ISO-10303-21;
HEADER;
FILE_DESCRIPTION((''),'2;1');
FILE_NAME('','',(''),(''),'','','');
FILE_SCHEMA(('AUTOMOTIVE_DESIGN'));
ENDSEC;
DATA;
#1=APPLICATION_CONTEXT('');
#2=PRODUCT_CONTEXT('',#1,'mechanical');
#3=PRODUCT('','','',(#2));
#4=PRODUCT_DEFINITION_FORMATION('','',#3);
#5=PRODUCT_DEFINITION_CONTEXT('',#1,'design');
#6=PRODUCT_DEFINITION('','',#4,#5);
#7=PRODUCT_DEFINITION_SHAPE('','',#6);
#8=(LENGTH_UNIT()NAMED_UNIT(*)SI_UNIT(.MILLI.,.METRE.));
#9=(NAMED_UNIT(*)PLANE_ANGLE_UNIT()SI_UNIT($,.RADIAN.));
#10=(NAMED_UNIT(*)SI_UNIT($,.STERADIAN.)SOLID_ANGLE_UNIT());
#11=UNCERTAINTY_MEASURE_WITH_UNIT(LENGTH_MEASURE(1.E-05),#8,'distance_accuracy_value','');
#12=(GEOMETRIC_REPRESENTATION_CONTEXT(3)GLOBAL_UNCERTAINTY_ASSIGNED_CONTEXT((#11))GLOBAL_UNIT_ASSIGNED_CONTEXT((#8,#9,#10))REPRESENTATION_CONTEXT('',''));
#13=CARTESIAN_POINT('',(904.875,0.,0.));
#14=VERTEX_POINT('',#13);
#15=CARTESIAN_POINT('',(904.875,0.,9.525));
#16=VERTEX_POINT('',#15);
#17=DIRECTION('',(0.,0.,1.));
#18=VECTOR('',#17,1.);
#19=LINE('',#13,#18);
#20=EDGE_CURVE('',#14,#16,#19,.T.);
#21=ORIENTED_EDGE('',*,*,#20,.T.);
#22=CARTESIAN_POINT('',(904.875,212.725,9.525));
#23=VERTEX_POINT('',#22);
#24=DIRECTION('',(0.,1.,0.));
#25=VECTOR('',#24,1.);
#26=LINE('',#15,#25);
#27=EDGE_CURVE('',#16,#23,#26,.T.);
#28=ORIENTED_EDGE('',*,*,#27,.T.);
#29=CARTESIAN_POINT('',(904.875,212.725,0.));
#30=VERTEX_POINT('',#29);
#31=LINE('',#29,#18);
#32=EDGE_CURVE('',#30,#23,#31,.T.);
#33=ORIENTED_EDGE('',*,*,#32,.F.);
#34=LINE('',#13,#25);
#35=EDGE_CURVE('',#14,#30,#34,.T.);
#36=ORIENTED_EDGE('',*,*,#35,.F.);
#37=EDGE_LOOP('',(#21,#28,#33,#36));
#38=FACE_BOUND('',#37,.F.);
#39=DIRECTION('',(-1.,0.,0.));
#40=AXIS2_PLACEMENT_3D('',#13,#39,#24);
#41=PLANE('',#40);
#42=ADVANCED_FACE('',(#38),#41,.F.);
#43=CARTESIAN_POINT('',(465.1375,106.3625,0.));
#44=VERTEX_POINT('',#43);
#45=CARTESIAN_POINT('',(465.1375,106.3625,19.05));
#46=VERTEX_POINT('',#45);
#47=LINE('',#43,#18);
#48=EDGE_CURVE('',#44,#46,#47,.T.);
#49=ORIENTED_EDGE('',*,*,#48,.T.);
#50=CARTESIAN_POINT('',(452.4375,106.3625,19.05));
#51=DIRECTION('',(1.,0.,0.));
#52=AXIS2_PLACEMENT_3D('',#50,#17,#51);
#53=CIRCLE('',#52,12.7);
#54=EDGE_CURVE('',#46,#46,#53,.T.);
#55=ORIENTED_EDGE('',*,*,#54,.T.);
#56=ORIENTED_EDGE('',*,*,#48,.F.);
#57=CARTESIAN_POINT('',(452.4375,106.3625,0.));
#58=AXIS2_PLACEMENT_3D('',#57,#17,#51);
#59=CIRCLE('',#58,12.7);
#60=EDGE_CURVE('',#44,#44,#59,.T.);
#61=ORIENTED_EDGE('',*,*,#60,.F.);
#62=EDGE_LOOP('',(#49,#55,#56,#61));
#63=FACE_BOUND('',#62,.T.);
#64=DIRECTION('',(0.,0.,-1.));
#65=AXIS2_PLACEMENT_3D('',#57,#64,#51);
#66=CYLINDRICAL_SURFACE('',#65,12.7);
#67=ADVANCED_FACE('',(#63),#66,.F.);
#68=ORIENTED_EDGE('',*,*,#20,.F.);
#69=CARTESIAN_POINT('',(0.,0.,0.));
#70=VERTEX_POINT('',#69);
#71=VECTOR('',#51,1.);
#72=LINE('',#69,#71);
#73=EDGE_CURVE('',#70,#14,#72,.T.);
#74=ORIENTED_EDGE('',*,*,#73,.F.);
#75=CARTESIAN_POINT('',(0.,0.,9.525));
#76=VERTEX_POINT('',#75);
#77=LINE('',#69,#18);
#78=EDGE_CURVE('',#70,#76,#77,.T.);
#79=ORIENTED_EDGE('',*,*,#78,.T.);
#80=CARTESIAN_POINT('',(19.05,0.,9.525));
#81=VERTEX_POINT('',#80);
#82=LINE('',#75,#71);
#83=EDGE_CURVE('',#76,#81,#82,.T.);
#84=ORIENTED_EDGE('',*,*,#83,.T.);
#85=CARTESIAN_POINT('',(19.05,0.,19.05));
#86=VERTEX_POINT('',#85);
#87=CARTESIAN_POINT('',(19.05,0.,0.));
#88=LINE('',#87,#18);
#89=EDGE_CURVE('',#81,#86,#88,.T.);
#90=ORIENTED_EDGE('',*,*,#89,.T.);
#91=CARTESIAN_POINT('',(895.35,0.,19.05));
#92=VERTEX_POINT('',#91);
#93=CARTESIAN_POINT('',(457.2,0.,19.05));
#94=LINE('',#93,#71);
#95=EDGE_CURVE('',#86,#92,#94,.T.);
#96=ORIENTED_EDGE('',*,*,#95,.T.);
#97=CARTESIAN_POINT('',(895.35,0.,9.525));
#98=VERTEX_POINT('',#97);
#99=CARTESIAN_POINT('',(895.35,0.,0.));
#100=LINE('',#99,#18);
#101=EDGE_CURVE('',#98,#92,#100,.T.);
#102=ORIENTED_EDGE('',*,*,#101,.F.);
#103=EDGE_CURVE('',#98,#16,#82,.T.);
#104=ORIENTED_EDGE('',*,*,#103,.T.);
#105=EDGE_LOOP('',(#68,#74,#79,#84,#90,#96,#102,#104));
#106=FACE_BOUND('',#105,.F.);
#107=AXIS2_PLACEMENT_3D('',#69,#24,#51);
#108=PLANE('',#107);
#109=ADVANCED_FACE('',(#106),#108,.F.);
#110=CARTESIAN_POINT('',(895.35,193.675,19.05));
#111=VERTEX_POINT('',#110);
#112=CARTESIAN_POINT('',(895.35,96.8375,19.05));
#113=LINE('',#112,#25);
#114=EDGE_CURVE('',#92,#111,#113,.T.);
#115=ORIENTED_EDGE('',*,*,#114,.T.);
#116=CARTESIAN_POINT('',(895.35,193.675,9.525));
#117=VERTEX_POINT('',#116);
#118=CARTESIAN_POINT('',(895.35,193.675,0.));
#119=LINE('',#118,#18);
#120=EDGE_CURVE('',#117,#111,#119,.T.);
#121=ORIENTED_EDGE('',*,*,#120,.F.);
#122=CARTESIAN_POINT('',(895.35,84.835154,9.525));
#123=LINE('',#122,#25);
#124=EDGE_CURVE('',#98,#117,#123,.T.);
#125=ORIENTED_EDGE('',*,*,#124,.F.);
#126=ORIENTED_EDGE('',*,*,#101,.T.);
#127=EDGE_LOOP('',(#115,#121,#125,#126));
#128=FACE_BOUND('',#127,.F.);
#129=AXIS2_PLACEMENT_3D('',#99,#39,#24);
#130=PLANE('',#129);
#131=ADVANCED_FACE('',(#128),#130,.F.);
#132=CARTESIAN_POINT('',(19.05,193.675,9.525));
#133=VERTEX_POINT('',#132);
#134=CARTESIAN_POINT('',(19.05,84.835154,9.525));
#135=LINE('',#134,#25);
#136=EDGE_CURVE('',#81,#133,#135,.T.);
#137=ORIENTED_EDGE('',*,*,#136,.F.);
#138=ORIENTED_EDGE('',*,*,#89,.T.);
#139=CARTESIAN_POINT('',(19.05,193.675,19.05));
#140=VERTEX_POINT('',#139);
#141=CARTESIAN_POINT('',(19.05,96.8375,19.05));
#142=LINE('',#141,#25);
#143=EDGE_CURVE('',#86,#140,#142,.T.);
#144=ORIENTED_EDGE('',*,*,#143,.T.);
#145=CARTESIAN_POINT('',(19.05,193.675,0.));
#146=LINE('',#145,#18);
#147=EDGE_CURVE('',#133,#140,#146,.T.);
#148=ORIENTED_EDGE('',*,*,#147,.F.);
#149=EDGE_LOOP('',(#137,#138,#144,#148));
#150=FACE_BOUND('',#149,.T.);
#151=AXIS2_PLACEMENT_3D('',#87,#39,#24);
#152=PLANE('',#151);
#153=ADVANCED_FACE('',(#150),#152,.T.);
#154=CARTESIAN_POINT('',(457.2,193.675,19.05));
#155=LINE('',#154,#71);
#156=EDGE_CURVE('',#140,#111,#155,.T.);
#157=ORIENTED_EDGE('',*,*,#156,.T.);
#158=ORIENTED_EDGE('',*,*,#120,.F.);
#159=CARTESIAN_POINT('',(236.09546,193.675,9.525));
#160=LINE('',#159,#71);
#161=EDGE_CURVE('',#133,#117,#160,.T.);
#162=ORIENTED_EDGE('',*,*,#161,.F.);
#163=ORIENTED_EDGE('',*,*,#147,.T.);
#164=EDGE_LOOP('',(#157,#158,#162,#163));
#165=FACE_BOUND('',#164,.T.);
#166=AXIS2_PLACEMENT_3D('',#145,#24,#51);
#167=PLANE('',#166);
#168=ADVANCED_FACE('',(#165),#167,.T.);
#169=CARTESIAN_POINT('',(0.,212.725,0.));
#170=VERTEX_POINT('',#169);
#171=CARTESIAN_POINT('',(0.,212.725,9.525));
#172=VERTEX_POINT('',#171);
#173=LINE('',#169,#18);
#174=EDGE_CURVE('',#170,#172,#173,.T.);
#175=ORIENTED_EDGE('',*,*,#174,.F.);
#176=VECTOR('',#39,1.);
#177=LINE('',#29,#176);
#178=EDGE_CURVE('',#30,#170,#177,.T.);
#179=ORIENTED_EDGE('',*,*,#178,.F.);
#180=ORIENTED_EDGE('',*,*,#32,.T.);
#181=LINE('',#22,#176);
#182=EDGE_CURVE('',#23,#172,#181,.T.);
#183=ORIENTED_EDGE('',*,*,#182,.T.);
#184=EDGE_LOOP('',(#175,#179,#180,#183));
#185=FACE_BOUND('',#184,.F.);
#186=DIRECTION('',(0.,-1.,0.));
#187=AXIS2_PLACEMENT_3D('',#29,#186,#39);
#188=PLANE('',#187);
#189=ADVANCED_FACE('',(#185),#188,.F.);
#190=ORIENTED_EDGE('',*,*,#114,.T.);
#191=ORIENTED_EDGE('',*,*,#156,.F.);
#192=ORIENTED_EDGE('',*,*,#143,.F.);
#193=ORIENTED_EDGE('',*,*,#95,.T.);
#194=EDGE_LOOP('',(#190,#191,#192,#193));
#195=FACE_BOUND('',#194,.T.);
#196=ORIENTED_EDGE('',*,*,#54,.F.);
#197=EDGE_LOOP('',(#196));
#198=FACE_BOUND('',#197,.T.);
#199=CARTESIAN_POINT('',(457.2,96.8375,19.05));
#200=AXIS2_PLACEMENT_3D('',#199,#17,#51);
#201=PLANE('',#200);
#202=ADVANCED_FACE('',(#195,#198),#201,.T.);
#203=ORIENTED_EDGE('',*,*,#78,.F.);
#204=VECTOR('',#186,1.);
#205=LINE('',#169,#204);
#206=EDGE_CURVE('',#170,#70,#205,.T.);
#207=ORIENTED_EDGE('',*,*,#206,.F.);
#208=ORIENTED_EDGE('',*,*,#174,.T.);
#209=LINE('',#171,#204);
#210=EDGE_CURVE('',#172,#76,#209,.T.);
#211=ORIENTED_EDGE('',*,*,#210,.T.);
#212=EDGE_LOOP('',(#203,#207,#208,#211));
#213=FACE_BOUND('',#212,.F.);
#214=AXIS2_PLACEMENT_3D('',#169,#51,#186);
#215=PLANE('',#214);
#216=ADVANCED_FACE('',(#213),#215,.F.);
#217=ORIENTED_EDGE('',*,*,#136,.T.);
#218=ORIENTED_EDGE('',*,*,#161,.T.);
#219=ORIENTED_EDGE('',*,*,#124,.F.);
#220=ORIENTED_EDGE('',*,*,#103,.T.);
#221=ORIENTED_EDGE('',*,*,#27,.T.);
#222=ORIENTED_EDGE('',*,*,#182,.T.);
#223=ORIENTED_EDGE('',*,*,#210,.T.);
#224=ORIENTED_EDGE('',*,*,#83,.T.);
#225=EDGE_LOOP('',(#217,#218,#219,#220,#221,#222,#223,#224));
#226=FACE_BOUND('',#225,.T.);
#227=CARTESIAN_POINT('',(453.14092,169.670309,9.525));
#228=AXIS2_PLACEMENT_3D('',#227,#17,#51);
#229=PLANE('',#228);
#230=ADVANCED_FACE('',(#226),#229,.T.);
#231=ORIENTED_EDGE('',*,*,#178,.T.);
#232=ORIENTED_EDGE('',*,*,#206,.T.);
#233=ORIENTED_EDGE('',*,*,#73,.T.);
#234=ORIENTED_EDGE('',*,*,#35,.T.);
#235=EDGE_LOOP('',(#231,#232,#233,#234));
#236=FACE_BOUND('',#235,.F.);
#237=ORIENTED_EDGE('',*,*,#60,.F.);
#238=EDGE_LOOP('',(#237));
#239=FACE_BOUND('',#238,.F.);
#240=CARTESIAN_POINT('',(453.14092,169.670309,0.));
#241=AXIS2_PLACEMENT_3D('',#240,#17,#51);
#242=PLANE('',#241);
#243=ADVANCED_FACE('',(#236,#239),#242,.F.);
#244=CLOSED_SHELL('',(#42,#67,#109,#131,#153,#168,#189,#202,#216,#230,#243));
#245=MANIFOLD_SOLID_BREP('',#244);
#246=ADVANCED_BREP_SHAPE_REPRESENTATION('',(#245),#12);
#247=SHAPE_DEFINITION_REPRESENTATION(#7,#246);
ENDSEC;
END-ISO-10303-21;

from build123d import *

# Parameters (mm, degrees)
F0_W     = 876.3
F0_H     = 193.675
F0_R     = 12.7
F1_DEPTH = 19.05
F2_DEPTH = 9.525


with BuildPart() as f1:
    # F0 (on Top) → F1 (new body)
    with BuildSketch(Plane.XY):
        with Locations((457.2, 96.8375)):
            Rectangle(F0_W, F0_H)
        with Locations((452.4375, 106.3625)):
            Circle(F0_R, mode=Mode.SUBTRACT)
    extrude(amount=F1_DEPTH)

    # F0 (on Top) → F2 (join)
    with BuildSketch(Plane.XY):
        Polygon((0, 212.725), (0, 0), (19.05, 0), (19.05, 193.675), (895.35, 193.675), (895.35, 0), (904.875, 0), (904.875, 212.725), align=None)
        with Locations((457.2, 96.8375)):
            Rectangle(F0_W, F0_H)
        with Locations((452.4375, 106.3625)):
            Circle(F0_R, mode=Mode.SUBTRACT)
    extrude(amount=F2_DEPTH)


solid = f1.part
